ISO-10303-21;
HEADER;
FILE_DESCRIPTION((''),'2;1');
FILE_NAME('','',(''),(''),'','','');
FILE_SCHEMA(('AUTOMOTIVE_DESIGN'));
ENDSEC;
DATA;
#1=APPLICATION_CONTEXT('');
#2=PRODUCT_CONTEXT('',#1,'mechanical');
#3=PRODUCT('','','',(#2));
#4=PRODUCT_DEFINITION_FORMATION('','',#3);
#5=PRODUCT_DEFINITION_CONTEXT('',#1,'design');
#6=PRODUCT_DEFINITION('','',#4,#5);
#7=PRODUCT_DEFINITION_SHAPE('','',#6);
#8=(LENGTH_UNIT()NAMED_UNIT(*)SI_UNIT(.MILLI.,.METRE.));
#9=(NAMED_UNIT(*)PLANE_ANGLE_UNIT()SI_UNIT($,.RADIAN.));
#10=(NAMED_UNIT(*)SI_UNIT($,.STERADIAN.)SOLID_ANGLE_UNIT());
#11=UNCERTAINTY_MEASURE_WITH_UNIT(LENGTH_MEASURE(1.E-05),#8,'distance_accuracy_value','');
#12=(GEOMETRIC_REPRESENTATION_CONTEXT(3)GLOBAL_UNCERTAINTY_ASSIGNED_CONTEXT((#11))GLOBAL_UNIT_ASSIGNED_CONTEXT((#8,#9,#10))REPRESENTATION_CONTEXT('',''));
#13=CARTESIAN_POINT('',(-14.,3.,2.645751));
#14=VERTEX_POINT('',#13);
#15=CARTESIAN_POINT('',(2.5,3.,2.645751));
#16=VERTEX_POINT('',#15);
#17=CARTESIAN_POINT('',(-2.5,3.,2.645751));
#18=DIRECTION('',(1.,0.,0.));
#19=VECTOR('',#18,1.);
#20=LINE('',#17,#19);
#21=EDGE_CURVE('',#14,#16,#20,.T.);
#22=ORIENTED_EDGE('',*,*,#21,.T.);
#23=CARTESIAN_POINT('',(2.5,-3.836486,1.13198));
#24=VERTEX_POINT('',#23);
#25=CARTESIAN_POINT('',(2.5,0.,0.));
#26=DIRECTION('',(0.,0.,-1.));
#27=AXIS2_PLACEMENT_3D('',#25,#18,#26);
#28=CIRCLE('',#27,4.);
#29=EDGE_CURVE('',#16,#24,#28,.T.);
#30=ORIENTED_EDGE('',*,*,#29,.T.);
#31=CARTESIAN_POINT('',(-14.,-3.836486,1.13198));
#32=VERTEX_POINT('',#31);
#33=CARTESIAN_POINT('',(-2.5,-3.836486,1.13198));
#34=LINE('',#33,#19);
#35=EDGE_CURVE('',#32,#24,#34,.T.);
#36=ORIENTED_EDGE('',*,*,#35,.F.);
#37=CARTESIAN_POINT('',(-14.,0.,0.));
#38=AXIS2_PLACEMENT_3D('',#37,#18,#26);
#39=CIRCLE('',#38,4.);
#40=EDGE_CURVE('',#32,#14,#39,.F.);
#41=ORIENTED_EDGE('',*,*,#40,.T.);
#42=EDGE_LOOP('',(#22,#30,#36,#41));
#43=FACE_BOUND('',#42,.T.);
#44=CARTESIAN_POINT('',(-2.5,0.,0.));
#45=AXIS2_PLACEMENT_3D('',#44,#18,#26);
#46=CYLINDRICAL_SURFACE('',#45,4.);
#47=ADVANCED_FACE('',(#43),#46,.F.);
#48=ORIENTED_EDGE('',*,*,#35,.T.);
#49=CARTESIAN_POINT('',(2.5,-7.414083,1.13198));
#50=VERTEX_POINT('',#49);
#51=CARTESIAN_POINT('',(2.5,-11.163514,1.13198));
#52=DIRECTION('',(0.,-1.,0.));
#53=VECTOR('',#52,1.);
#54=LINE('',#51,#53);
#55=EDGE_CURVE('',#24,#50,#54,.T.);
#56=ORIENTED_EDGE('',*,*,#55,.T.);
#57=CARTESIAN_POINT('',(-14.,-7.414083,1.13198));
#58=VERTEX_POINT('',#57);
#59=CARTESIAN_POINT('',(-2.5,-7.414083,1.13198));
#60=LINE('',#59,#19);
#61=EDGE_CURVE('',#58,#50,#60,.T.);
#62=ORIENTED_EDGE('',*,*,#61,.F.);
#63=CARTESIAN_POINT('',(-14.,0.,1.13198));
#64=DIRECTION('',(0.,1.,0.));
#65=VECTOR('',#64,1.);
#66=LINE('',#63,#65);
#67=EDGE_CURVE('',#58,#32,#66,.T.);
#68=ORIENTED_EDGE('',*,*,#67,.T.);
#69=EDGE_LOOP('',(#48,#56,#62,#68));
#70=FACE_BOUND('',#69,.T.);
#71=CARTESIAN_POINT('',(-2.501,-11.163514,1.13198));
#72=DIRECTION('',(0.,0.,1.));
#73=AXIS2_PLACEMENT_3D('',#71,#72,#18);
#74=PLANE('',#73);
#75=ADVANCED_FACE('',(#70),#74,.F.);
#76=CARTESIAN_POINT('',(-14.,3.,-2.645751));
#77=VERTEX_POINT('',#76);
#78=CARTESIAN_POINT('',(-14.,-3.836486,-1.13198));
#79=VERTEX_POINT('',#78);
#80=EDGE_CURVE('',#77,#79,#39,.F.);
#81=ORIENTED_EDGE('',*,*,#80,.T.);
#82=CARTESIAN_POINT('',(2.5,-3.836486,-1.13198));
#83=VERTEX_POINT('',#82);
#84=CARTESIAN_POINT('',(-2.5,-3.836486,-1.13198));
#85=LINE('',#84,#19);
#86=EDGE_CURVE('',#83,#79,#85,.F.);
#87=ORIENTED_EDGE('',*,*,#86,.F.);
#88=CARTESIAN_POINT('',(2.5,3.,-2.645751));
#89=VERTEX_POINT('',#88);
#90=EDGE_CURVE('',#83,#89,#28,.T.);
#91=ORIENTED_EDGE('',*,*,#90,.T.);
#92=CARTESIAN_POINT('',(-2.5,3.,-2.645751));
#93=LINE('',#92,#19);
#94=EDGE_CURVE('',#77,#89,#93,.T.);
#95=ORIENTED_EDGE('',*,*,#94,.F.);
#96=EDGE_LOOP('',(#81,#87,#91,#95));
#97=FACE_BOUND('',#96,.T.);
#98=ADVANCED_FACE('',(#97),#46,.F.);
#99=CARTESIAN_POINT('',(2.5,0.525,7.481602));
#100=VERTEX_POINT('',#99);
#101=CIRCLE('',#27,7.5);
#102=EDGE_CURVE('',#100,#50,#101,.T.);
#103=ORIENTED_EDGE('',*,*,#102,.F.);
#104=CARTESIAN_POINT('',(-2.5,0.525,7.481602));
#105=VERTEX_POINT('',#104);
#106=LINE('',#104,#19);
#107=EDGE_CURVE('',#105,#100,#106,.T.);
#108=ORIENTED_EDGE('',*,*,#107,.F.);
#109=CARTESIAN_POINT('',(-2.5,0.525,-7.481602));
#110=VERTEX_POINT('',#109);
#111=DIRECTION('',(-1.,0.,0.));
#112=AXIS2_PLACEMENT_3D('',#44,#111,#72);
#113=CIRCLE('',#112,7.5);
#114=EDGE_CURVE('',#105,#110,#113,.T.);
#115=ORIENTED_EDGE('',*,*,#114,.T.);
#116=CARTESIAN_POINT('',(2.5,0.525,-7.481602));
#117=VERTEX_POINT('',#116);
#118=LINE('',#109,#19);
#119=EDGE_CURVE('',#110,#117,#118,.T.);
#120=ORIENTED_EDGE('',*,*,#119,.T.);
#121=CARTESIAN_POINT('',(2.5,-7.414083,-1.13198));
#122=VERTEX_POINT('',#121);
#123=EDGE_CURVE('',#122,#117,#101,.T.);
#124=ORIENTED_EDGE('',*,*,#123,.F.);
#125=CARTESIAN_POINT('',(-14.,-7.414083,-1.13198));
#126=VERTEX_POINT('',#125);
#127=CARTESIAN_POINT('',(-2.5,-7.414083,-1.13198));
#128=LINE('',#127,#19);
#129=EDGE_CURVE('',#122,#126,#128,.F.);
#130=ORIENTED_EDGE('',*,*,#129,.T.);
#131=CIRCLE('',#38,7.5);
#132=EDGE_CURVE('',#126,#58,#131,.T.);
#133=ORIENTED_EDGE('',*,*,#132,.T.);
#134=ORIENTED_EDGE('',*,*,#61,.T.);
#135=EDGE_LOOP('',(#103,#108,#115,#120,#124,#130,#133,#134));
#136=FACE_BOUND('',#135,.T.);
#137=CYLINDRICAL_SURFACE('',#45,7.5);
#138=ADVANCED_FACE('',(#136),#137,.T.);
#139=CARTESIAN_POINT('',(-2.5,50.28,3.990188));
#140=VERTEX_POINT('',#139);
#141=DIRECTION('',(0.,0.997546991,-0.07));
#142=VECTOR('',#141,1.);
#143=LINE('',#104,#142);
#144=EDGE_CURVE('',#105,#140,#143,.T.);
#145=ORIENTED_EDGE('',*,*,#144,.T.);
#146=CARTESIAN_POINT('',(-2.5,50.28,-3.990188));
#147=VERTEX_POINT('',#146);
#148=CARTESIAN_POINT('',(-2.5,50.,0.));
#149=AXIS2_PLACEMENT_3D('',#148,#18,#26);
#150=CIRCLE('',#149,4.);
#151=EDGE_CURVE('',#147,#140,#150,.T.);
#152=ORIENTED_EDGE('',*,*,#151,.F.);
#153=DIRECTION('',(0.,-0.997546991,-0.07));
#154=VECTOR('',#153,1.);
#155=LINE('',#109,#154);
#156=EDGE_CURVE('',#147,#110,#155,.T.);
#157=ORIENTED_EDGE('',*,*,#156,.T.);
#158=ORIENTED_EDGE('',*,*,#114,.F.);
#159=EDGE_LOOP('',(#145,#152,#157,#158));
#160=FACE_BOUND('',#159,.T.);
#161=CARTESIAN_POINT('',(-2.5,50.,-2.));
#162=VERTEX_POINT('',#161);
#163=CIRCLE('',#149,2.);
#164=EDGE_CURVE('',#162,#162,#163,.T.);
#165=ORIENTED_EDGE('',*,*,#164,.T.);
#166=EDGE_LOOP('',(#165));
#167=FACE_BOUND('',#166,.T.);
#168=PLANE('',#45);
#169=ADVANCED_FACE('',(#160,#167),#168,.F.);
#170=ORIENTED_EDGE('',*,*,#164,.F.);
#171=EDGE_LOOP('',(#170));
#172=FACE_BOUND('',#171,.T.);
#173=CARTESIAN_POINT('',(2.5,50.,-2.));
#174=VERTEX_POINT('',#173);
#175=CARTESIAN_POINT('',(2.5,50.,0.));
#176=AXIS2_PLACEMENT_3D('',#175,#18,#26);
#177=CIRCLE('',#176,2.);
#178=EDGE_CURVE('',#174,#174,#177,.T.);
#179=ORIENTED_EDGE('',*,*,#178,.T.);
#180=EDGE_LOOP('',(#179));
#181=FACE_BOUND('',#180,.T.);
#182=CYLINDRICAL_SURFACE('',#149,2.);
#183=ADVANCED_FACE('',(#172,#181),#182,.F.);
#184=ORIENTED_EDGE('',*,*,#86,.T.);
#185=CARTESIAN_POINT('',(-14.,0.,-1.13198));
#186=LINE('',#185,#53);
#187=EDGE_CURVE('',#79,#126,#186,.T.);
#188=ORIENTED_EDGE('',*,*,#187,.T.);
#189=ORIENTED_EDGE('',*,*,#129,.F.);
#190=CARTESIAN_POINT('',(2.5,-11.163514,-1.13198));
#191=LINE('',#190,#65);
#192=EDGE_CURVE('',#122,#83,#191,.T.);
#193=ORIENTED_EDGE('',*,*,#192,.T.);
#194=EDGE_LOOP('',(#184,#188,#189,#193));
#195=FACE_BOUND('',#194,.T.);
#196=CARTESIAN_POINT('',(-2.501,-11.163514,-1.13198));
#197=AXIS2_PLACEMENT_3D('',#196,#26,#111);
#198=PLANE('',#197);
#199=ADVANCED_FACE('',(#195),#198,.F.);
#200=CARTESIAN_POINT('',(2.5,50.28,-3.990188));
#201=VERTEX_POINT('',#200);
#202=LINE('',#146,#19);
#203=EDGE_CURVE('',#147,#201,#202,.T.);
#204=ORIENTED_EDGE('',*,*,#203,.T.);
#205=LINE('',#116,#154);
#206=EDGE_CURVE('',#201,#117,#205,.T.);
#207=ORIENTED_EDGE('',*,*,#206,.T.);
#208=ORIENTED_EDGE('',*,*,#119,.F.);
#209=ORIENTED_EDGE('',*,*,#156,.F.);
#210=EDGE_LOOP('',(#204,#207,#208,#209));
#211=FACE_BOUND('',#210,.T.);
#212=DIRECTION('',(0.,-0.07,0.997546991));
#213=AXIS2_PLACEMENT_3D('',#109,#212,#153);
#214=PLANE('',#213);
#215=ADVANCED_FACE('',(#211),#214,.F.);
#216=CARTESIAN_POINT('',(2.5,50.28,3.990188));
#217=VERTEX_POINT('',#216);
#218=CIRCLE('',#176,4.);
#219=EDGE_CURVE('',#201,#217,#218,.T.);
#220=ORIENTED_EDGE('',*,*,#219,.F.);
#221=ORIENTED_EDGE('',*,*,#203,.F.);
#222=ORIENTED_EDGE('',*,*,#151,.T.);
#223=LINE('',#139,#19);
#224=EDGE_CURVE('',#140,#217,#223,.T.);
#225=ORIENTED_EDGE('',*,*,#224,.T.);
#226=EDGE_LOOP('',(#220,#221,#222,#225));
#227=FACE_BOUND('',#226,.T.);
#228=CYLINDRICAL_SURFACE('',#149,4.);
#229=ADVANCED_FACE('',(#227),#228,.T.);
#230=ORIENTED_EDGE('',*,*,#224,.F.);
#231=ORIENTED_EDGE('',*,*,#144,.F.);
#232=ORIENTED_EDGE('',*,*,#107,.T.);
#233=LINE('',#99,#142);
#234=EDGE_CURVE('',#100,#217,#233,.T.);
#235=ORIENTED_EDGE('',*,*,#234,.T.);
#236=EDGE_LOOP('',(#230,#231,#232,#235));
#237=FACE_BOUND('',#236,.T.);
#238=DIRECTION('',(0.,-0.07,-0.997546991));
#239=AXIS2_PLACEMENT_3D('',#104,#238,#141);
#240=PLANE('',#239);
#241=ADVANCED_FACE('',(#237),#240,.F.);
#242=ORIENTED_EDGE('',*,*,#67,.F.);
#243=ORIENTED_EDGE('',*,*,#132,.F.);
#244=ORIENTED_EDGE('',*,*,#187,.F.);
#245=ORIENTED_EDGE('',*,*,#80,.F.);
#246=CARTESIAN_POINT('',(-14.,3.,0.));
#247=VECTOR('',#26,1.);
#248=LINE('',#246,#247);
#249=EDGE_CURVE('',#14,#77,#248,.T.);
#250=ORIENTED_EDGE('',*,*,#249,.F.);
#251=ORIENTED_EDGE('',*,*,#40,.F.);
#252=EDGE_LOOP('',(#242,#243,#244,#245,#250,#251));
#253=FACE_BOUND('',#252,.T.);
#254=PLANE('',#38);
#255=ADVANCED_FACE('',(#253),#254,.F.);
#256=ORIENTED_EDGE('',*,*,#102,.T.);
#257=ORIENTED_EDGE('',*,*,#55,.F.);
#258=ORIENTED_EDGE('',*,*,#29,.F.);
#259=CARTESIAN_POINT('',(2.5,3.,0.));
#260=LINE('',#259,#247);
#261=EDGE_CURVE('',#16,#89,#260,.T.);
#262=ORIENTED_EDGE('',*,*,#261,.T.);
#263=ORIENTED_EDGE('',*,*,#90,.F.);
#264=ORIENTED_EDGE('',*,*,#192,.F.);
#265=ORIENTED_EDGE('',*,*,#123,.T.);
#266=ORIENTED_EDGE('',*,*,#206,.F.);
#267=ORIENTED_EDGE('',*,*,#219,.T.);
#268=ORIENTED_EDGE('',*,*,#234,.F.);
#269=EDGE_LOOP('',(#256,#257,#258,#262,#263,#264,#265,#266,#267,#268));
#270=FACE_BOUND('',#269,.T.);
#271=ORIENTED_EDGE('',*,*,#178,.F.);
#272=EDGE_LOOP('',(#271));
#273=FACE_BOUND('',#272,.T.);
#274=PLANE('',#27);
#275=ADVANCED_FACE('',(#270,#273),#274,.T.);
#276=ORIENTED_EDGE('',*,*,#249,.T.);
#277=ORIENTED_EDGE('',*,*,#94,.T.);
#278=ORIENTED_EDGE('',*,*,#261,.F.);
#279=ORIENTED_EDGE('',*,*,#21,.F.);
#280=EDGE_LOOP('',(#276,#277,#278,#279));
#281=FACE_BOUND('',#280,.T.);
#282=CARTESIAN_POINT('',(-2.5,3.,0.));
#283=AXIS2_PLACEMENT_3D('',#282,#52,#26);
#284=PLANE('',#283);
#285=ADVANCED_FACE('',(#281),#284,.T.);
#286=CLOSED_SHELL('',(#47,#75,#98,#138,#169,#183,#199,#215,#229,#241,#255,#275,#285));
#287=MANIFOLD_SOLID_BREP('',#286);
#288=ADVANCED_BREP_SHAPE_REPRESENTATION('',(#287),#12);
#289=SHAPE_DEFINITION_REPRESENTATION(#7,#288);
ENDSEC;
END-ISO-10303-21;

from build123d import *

# Parameters (mm, degrees)
BOSS_EXTRUDE1_DEPTH      = 2.5
BOSS_EXTRUDE1_DEPTH_BACK = 2.5
SKETCH2_R                = 2
CUT_EXTRUDE1_REACH       = 56.747
SKETCH3_W                = 2.263959938
SKETCH3_H                = 7.327028906
BOSS_EXTRUDE2_START      = 11.5
BOSS_EXTRUDE2_DEPTH      = 11.5


with BuildPart() as part:
    # Sketch2 → Boss-Extrude1 (new, two sides: drawn at the far end of the back side and taken through both)
    with BuildSketch(Plane(origin=(0, 0, 0), x_dir=(0, 0, -1), z_dir=(1, 0, 0)).offset(-BOSS_EXTRUDE1_DEPTH_BACK)):
        with BuildLine():
            Line((3.990187965, 50.28), (7.481602435, 0.525))
            ThreePointArc((7.481602435, 0.525), (0, -7.5), (-7.481602435, 0.525))
            Line((-7.481602435, 0.525), (-3.990187965, 50.28))
            ThreePointArc((-3.990187965, 50.28), (0, 54), (3.990187965, 50.28))
        make_face()
        with Locations((0, 50)):
            Circle(SKETCH2_R, mode=Mode.SUBTRACT)
        with BuildLine():
            ThreePointArc((-2.645751311, 3), (0, -4), (2.645751311, 3))
            Line((2.645751311, 3), (-2.645751311, 3))
        make_face(mode=Mode.SUBTRACT)
    extrude(amount=BOSS_EXTRUDE1_DEPTH + BOSS_EXTRUDE1_DEPTH_BACK)

    # Sketch3 → Cut-Extrude1 (cut, up to next)
    with BuildSketch(Plane(origin=(2.5, 0, 0), x_dir=(0, 0, -1), z_dir=(1, 0, 0)), mode=Mode.PRIVATE) as cut_extrude1_sk1:
        with Locations((0, -7.5)):
            Rectangle(SKETCH3_W, SKETCH3_H)
    cut_extrude1_tool1 = extrude(cut_extrude1_sk1.sketch, amount=-CUT_EXTRUDE1_REACH, mode=Mode.PRIVATE) & part.part
    add(cut_extrude1_tool1.solids().sort_by_distance((2.5, -7.5, 0))[0], mode=Mode.SUBTRACT)

    # Sketch5 → Boss-Extrude2 (add)
    with BuildSketch(Plane.ZY.offset(2.5).offset(BOSS_EXTRUDE2_START)):
        with BuildLine():
            ThreePointArc((-7.481602435, 0.525), (-5.85710754, -4.684473424), (-1.131979969, -7.414082637))
            Line((-1.131979969, -7.414082637), (-1.131979969, -3.836485547))
            ThreePointArc((-1.131979969, -3.836485547), (-3.905406133, -0.864755998), (-2.645751311, 3))
            Line((-2.645751311, 3), (2.645751311, 3))
            ThreePointArc((2.645751311, 3), (3.905406133, -0.864755998), (1.131979969, -3.836485547))
            Line((1.131979969, -3.836485547), (1.131979969, -7.414082637))
            ThreePointArc((1.131979969, -7.414082637), (5.689457345, -4.886724375), (7.5, 0))
            ThreePointArc((7.5, 0), (7.495399198, 0.262661127), (7.481602435, 0.525))
            ThreePointArc((7.481602435, 0.525), (0, 7.5), (-7.481602435, 0.525))
        make_face()
    extrude(amount=-BOSS_EXTRUDE2_DEPTH)


solid = part.part
